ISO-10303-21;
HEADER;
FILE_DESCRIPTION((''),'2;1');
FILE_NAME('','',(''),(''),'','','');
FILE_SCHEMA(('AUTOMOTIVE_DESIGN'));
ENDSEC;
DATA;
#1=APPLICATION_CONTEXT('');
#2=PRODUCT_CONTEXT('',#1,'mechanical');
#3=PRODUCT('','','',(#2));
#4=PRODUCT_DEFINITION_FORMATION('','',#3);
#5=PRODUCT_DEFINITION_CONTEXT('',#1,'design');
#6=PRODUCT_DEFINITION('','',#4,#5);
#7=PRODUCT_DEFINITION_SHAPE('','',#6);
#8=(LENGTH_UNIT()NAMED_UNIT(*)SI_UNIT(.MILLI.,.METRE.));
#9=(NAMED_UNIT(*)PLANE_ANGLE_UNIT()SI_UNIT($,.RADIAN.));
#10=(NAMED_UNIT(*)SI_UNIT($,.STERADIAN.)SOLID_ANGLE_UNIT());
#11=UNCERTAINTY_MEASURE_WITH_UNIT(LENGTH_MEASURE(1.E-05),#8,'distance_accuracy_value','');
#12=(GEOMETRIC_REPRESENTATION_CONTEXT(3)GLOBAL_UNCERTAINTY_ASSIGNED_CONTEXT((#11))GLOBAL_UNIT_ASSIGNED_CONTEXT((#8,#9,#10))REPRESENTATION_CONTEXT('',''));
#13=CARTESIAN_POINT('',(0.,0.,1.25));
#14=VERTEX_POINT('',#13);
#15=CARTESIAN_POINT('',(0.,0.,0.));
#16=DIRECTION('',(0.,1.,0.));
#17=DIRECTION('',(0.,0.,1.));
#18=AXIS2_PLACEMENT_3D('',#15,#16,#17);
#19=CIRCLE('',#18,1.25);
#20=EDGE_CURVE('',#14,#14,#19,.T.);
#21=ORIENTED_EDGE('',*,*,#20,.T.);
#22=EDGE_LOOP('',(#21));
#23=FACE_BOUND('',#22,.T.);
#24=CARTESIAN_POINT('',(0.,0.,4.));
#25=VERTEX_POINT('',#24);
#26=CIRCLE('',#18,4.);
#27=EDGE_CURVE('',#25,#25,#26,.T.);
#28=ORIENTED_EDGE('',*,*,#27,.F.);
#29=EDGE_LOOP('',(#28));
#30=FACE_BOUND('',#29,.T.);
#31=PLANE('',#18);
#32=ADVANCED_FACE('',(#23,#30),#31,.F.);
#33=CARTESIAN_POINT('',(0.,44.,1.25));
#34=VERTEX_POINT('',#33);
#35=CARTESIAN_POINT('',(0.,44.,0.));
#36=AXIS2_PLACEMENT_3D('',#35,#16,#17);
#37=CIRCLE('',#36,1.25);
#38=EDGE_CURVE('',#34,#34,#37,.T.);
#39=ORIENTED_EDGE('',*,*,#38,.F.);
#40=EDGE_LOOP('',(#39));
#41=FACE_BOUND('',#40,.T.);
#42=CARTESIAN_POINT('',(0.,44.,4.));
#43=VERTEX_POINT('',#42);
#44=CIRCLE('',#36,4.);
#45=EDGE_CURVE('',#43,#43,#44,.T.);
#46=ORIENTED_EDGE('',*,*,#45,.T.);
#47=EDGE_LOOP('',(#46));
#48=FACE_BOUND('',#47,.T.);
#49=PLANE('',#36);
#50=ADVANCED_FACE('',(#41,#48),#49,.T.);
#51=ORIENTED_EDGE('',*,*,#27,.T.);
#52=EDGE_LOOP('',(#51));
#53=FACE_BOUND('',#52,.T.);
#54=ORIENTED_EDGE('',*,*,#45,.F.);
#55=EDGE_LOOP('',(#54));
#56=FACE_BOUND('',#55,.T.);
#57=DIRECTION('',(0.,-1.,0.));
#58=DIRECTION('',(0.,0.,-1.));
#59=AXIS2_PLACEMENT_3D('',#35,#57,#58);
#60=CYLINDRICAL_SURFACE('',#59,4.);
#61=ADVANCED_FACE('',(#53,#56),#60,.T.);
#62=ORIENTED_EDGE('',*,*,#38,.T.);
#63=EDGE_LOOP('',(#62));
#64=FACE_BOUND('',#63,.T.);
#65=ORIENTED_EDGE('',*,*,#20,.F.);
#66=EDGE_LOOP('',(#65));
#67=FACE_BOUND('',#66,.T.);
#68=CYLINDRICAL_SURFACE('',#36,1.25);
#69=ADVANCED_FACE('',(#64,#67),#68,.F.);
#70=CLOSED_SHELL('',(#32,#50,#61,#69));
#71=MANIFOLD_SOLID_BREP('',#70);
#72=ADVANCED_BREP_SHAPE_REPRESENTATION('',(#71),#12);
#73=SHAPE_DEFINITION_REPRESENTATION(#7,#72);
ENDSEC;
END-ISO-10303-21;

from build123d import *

# Parameters (mm, degrees)
SKETCH1_R               = 4
BOSS_EXTRUDE1_DEPTH     = 44
TAP_DRILL_FOR_M3_TAP1_D = 2.5


with BuildPart() as part:
    # Sketch1 → Boss-Extrude1 (new body)
    with BuildSketch(Plane(origin=(0, 0, 0), x_dir=(1, 0, 0), z_dir=(0, 1, 0))):
        with Locations(Location((0, 0, 0), (0, 0, 270))):
            Circle(SKETCH1_R)
    extrude(amount=BOSS_EXTRUDE1_DEPTH)

    # Tap Drill for M3 Tap1 (through all)
    with Locations(Plane(origin=(0, 44, 0), x_dir=(1, 0, 0), z_dir=(0, 1, 0))):
        with Locations((0, 0)):
            Hole(TAP_DRILL_FOR_M3_TAP1_D / 2)


solid = part.part
